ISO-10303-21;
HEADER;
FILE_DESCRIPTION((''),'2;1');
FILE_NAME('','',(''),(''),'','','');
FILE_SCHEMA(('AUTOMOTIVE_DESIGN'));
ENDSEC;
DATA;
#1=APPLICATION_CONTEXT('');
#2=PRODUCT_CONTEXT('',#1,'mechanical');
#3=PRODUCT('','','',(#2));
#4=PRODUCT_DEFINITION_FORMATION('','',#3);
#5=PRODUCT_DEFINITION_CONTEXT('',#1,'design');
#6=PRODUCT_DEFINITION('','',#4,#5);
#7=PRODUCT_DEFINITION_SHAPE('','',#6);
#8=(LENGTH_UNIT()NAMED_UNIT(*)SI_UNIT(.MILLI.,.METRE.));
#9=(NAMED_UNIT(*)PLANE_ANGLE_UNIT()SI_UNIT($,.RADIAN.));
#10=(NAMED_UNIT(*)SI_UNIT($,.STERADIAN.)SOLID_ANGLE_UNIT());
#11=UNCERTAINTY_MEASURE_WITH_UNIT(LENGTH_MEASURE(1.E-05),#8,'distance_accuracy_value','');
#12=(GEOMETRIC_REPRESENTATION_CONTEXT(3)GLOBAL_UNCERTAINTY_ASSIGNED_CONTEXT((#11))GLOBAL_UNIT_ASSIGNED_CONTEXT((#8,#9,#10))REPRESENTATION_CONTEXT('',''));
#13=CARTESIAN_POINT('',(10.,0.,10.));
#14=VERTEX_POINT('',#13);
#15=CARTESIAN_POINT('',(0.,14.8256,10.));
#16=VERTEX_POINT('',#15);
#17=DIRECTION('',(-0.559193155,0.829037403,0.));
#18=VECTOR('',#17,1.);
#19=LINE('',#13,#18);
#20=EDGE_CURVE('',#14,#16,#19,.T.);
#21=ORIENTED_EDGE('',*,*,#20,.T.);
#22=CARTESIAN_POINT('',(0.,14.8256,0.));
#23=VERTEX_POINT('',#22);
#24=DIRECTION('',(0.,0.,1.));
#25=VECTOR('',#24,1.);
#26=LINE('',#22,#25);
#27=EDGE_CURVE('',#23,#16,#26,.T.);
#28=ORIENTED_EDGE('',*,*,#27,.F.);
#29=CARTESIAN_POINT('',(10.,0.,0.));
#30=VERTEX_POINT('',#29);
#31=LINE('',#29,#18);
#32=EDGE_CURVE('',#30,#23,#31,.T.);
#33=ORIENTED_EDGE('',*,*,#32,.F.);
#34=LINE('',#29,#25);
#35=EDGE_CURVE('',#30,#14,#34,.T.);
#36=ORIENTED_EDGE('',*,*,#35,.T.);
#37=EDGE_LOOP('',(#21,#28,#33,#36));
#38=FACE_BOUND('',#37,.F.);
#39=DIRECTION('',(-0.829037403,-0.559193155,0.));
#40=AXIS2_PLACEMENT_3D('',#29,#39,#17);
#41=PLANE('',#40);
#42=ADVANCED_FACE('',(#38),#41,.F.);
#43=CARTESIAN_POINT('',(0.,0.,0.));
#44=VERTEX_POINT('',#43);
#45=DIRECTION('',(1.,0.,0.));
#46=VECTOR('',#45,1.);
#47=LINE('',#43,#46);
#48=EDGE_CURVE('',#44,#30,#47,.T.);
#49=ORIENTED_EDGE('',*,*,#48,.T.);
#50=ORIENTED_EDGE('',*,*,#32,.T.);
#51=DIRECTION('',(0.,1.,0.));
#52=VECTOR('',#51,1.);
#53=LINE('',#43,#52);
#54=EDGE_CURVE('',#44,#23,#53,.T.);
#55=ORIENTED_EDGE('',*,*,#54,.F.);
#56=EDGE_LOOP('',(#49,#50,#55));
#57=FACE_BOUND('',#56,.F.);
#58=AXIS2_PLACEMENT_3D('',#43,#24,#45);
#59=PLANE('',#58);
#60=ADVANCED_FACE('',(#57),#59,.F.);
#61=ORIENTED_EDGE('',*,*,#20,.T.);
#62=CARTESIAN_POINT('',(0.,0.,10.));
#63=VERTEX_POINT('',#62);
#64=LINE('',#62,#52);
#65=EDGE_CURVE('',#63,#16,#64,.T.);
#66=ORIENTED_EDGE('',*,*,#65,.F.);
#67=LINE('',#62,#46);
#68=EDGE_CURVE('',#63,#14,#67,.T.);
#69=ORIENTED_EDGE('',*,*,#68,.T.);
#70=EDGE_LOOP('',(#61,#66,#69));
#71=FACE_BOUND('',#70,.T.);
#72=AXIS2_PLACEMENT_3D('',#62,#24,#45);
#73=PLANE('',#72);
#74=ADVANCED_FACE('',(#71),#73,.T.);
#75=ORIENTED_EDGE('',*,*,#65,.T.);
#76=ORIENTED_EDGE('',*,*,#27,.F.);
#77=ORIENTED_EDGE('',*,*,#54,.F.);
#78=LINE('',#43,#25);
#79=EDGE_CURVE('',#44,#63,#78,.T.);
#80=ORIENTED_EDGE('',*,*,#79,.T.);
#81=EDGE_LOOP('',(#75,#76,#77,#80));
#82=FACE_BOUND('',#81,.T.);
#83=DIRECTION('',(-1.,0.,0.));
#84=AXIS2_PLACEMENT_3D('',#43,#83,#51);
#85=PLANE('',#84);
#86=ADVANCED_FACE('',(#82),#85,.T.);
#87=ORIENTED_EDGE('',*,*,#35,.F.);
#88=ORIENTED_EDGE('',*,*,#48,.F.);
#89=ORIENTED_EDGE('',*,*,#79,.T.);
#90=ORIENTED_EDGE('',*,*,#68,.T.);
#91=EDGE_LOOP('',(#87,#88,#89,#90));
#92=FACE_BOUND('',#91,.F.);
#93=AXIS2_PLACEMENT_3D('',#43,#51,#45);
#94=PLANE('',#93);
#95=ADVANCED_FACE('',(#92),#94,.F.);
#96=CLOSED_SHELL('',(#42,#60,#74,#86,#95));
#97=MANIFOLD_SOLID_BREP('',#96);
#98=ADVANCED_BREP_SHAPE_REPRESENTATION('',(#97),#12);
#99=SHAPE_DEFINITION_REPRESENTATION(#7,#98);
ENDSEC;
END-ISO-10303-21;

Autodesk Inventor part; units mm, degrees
ref_plane "YZ Plane" through (0, 0, 0) normal (1, 0, 0) x (0, 1, 0)
ref_plane "XZ Plane" through (0, 0, 0) normal (0, 1, 0) x (-1, 0, 0)
ref_plane "XY Plane" through (0, 0, 0) normal (0, 0, 1) x (1, 0, 0)
sketch "Эскиз1" plane through (0, 0, 0) normal (0, 0, 1) x (1, 0, 0)
  line L0 (0, 0) -> (10, 0)
  line L1 (10, 0) -> (0, 14.8256)
  line L2 (0, 0) -> (0, 14.8256)
  dimension "d0" = 10
  dimension "d1" = 56
extrude "Выдавливание1" add sketch "Эскиз1" along normal blind 10
properties part number "N1"
